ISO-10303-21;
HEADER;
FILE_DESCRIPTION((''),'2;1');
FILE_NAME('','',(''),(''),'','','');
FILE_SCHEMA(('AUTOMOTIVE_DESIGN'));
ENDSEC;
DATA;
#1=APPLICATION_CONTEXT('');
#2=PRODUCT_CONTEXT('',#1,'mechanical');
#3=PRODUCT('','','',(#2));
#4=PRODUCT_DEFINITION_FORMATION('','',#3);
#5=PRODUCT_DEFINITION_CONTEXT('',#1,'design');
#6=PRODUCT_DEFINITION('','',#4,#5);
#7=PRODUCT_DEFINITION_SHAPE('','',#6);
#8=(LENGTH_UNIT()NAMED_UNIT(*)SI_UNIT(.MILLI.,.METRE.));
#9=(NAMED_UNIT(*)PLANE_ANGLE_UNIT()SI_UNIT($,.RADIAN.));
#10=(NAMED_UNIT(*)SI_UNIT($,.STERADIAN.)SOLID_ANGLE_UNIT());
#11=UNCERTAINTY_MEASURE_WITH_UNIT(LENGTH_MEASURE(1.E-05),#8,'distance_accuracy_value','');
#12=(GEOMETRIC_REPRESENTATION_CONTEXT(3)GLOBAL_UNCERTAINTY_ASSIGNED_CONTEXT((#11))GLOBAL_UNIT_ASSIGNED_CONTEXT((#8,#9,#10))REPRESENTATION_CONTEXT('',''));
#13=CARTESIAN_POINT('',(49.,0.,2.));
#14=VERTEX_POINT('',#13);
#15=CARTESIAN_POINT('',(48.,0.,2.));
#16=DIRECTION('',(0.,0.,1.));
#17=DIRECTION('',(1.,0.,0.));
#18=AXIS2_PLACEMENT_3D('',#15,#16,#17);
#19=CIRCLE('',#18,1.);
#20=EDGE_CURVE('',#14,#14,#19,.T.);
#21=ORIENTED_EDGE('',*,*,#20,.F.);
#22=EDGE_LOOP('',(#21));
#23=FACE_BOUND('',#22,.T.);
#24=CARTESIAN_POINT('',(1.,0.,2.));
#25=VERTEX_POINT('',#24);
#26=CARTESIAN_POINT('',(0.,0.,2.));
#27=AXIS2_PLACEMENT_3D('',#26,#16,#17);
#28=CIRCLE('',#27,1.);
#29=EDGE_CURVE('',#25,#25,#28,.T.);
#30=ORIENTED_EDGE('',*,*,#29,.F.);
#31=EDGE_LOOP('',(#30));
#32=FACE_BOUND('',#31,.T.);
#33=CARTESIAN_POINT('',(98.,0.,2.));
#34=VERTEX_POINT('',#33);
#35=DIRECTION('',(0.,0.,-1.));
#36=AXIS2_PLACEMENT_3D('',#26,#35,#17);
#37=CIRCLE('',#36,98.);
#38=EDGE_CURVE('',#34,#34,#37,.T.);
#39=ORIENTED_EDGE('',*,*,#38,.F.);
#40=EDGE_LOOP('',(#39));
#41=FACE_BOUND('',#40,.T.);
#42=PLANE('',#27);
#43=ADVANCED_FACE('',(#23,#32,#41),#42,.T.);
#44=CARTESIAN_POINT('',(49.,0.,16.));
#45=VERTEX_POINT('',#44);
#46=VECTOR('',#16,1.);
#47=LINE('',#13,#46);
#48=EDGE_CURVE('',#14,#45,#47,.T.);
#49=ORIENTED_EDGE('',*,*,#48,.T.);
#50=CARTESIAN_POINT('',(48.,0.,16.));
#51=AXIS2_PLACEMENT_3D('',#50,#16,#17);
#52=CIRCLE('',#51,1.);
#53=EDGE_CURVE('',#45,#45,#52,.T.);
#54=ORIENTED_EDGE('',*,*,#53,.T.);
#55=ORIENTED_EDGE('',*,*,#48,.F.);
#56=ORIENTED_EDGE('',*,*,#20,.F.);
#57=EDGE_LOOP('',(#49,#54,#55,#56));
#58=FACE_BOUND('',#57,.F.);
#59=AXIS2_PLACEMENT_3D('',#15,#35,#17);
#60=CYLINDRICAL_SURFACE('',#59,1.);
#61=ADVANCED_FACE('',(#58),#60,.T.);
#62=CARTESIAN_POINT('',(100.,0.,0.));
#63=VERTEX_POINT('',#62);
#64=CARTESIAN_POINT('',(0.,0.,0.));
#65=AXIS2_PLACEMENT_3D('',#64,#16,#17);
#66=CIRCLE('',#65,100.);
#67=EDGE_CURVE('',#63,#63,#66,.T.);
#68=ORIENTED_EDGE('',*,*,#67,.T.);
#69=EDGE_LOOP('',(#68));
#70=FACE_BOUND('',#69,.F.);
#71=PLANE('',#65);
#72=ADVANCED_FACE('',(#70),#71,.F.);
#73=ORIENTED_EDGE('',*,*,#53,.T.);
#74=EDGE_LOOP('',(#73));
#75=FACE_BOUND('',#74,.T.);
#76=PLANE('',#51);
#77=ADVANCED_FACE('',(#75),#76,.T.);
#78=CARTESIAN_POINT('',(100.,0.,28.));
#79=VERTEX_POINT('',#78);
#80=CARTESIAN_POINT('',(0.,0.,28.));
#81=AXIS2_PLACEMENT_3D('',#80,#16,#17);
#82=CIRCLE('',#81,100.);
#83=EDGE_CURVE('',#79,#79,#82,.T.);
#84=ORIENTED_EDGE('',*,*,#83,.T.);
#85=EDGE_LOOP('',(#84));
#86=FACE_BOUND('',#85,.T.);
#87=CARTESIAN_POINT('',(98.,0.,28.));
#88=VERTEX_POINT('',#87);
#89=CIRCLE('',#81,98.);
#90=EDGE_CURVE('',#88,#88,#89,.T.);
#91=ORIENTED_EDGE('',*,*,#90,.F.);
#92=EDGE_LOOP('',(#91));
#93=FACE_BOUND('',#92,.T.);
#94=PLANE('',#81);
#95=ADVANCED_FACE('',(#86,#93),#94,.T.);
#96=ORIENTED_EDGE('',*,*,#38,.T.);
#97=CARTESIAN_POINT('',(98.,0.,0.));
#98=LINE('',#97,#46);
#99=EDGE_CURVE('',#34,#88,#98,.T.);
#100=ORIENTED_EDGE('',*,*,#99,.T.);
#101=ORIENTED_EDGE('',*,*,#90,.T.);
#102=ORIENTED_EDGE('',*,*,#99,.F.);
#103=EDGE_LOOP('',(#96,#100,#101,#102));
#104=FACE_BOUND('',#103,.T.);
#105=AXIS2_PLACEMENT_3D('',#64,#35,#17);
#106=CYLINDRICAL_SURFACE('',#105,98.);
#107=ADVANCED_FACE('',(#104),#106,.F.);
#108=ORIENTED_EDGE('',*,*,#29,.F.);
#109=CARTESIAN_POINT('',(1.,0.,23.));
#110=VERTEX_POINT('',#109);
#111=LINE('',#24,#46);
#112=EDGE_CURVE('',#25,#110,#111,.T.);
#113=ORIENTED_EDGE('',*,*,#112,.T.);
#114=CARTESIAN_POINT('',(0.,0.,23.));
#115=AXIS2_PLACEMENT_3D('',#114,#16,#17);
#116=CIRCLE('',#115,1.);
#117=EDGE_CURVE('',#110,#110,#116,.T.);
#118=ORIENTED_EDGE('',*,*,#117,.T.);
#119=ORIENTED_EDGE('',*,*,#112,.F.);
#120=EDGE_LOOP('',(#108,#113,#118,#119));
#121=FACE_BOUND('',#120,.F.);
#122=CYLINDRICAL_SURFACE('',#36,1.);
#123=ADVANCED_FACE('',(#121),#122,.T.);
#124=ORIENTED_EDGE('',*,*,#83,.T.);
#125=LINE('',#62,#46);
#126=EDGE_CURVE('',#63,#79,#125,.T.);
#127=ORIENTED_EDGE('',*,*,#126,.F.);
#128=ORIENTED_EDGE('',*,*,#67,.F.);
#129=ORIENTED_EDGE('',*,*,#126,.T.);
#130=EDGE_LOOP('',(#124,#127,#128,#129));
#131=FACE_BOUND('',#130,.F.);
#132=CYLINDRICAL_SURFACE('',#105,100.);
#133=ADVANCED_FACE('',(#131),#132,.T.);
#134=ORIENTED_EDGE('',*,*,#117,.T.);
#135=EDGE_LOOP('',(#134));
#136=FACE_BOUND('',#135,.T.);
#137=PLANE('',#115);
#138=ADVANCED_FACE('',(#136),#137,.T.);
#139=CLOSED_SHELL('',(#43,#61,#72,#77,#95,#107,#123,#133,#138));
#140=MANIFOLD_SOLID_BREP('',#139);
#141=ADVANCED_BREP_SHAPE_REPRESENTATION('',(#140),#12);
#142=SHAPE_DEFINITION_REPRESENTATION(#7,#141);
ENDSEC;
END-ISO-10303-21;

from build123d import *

# Parameters (mm, degrees)
F0_R     = 100
F1_DEPTH = 28
F2_T     = -2
F3_R     = 1
F4_DEPTH = 21
F5_R     = 1
F6_DEPTH = 14


with BuildPart() as f1:
    # F0 (on Top) → F1 (new body)
    with BuildSketch(Plane.XY):
        Circle(F0_R)
    extrude(amount=F1_DEPTH)

    # F2
    f2_openings = [f1.faces().sort_by_distance(p)[0] for p in [
        (0, 0, 28),
    ]]
    offset(amount=F2_T, openings=f2_openings)

    # F3 (on face) → F4 (join)
    with BuildSketch(Plane.XY.offset(2)):
        Circle(F3_R)
    extrude(amount=F4_DEPTH)

    # F5 (on face) → F6 (join)
    with BuildSketch(Plane.XY.offset(2)):
        with Locations((48, 0)):
            Circle(F5_R)
    extrude(amount=F6_DEPTH)


solid = f1.part
